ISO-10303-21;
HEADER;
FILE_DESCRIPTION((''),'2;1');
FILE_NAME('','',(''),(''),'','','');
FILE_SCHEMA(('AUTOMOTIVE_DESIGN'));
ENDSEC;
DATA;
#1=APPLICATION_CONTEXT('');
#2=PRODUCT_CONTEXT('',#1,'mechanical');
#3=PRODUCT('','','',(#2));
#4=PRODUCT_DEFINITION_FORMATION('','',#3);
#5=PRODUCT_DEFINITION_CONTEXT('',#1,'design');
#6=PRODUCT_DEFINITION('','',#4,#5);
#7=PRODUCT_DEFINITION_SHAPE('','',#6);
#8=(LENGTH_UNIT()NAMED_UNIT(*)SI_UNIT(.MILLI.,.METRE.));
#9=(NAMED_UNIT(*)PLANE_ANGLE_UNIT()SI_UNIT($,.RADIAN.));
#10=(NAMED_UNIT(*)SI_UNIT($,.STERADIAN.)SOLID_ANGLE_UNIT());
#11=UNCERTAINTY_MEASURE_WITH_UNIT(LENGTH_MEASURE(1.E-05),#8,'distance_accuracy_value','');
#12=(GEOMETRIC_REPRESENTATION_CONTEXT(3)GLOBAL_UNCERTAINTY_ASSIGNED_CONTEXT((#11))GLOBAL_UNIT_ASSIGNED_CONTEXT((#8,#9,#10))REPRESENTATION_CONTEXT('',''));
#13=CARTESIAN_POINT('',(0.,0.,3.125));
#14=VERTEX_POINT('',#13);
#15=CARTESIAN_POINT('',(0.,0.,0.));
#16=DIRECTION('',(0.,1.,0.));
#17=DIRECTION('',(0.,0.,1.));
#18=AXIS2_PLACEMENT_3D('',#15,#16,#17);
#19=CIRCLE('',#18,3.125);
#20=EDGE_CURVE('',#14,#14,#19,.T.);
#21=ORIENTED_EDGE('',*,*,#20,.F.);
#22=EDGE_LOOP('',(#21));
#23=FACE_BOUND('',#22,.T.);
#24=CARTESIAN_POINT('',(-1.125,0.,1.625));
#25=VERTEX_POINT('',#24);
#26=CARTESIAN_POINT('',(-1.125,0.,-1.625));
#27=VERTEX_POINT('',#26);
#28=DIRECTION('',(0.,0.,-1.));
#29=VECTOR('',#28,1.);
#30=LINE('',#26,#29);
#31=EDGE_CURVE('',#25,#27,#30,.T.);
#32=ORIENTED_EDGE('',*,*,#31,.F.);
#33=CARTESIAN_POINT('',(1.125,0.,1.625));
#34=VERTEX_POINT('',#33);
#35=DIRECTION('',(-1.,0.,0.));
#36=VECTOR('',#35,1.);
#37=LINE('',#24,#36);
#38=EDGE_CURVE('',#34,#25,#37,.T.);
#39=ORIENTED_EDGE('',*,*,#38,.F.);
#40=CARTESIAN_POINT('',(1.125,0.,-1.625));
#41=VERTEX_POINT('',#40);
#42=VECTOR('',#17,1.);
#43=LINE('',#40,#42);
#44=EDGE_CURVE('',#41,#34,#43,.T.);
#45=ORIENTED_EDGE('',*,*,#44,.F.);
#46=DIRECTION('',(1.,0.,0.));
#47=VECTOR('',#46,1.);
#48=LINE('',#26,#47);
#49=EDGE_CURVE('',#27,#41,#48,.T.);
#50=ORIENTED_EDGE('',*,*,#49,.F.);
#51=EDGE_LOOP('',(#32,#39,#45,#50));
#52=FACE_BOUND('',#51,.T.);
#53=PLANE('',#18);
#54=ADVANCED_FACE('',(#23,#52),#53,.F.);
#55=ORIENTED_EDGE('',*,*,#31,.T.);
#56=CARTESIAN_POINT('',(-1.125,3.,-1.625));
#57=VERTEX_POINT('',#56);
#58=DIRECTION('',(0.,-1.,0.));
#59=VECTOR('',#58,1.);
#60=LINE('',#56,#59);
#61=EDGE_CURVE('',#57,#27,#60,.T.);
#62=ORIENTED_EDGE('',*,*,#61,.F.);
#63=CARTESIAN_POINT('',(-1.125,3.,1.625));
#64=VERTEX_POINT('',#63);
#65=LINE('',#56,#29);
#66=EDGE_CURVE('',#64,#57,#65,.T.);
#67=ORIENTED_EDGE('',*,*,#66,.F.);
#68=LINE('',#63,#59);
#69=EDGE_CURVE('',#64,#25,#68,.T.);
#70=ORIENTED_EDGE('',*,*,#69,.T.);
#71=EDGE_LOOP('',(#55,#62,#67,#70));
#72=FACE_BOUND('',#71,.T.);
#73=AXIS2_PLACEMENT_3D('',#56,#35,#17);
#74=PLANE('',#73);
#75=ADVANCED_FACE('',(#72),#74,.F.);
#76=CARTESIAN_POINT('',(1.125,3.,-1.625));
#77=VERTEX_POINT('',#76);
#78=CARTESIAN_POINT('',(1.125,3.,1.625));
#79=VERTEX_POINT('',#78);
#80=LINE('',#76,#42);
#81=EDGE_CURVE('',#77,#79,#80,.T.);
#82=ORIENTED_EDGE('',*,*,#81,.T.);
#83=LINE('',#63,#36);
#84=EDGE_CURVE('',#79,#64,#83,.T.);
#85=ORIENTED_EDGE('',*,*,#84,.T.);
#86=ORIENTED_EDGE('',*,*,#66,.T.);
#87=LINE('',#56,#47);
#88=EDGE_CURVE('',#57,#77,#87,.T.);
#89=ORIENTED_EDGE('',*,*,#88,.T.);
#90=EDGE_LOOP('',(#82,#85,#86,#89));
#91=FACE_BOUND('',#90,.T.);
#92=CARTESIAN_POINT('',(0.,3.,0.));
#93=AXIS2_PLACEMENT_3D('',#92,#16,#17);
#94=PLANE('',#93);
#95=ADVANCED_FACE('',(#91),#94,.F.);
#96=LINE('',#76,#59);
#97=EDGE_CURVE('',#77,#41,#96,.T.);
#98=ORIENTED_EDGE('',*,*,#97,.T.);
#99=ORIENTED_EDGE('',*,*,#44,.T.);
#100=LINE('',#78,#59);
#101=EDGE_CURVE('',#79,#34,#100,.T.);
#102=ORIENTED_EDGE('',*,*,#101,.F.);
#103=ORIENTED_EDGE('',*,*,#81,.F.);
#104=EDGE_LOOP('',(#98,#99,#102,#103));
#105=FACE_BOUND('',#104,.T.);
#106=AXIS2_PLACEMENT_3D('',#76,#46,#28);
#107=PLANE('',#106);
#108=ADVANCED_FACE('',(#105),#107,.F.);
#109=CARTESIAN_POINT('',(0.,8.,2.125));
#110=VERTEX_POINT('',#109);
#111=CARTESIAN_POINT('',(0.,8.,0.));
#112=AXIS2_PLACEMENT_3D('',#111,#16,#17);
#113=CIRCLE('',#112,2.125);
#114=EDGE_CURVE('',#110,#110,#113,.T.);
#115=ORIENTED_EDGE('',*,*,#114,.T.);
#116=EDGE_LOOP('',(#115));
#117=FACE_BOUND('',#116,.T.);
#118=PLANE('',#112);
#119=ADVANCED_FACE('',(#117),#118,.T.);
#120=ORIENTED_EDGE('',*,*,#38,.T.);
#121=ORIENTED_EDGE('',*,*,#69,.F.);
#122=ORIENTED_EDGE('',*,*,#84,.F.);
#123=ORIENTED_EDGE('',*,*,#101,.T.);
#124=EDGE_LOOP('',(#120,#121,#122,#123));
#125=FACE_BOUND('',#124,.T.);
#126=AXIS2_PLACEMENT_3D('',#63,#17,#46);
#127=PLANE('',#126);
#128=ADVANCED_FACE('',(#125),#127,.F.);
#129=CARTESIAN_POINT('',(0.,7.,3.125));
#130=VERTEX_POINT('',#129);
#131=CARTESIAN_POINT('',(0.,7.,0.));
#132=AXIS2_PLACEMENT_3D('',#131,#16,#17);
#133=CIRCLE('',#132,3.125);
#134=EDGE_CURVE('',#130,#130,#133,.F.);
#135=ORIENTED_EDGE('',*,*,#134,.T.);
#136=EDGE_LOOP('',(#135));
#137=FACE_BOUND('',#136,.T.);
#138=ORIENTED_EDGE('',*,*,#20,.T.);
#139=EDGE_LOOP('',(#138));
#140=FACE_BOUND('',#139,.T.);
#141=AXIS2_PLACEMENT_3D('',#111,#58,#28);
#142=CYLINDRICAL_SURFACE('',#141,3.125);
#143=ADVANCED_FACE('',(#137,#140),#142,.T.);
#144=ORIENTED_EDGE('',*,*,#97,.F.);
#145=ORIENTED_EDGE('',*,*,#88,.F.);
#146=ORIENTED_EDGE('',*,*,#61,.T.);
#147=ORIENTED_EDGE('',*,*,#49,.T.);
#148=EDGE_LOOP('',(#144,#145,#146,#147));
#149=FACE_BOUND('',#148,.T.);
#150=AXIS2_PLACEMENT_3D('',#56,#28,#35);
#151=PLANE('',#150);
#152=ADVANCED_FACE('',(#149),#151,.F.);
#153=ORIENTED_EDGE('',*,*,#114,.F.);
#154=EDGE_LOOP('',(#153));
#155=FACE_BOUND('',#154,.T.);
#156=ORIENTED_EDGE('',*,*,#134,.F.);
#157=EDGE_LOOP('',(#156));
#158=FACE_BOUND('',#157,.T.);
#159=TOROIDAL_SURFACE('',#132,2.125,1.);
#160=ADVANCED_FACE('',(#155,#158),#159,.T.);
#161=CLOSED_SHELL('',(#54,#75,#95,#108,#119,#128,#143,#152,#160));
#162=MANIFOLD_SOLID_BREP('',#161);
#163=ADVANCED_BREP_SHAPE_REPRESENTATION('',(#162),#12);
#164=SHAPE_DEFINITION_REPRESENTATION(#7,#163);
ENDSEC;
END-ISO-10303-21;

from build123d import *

# Parameters (mm, degrees)
SKETCH1_R           = 3.125
BOSS_EXTRUDE1_DEPTH = 8
SKETCH2_W           = 2.25
SKETCH2_H           = 3.25
CUT_EXTRUDE1_DEPTH  = 3
FILLET1_R           = 1


with BuildPart() as part:
    # Sketch1 → Boss-Extrude1 (new body)
    with BuildSketch(Plane(origin=(0, 0, 0), x_dir=(1, 0, 0), z_dir=(0, 1, 0))):
        Circle(SKETCH1_R)
    extrude(amount=BOSS_EXTRUDE1_DEPTH)

    # Sketch2 → Cut-Extrude1 (cut)
    with BuildSketch(Plane.XZ):
        Rectangle(SKETCH2_W, SKETCH2_H)
    extrude(amount=-CUT_EXTRUDE1_DEPTH, mode=Mode.SUBTRACT)

    # Fillet1
    fillet1_edges = [part.edges().sort_by_distance(p)[0] for p in [
        (-3.125, 8, 0),
    ]]
    fillet(fillet1_edges, radius=FILLET1_R)


solid = part.part
